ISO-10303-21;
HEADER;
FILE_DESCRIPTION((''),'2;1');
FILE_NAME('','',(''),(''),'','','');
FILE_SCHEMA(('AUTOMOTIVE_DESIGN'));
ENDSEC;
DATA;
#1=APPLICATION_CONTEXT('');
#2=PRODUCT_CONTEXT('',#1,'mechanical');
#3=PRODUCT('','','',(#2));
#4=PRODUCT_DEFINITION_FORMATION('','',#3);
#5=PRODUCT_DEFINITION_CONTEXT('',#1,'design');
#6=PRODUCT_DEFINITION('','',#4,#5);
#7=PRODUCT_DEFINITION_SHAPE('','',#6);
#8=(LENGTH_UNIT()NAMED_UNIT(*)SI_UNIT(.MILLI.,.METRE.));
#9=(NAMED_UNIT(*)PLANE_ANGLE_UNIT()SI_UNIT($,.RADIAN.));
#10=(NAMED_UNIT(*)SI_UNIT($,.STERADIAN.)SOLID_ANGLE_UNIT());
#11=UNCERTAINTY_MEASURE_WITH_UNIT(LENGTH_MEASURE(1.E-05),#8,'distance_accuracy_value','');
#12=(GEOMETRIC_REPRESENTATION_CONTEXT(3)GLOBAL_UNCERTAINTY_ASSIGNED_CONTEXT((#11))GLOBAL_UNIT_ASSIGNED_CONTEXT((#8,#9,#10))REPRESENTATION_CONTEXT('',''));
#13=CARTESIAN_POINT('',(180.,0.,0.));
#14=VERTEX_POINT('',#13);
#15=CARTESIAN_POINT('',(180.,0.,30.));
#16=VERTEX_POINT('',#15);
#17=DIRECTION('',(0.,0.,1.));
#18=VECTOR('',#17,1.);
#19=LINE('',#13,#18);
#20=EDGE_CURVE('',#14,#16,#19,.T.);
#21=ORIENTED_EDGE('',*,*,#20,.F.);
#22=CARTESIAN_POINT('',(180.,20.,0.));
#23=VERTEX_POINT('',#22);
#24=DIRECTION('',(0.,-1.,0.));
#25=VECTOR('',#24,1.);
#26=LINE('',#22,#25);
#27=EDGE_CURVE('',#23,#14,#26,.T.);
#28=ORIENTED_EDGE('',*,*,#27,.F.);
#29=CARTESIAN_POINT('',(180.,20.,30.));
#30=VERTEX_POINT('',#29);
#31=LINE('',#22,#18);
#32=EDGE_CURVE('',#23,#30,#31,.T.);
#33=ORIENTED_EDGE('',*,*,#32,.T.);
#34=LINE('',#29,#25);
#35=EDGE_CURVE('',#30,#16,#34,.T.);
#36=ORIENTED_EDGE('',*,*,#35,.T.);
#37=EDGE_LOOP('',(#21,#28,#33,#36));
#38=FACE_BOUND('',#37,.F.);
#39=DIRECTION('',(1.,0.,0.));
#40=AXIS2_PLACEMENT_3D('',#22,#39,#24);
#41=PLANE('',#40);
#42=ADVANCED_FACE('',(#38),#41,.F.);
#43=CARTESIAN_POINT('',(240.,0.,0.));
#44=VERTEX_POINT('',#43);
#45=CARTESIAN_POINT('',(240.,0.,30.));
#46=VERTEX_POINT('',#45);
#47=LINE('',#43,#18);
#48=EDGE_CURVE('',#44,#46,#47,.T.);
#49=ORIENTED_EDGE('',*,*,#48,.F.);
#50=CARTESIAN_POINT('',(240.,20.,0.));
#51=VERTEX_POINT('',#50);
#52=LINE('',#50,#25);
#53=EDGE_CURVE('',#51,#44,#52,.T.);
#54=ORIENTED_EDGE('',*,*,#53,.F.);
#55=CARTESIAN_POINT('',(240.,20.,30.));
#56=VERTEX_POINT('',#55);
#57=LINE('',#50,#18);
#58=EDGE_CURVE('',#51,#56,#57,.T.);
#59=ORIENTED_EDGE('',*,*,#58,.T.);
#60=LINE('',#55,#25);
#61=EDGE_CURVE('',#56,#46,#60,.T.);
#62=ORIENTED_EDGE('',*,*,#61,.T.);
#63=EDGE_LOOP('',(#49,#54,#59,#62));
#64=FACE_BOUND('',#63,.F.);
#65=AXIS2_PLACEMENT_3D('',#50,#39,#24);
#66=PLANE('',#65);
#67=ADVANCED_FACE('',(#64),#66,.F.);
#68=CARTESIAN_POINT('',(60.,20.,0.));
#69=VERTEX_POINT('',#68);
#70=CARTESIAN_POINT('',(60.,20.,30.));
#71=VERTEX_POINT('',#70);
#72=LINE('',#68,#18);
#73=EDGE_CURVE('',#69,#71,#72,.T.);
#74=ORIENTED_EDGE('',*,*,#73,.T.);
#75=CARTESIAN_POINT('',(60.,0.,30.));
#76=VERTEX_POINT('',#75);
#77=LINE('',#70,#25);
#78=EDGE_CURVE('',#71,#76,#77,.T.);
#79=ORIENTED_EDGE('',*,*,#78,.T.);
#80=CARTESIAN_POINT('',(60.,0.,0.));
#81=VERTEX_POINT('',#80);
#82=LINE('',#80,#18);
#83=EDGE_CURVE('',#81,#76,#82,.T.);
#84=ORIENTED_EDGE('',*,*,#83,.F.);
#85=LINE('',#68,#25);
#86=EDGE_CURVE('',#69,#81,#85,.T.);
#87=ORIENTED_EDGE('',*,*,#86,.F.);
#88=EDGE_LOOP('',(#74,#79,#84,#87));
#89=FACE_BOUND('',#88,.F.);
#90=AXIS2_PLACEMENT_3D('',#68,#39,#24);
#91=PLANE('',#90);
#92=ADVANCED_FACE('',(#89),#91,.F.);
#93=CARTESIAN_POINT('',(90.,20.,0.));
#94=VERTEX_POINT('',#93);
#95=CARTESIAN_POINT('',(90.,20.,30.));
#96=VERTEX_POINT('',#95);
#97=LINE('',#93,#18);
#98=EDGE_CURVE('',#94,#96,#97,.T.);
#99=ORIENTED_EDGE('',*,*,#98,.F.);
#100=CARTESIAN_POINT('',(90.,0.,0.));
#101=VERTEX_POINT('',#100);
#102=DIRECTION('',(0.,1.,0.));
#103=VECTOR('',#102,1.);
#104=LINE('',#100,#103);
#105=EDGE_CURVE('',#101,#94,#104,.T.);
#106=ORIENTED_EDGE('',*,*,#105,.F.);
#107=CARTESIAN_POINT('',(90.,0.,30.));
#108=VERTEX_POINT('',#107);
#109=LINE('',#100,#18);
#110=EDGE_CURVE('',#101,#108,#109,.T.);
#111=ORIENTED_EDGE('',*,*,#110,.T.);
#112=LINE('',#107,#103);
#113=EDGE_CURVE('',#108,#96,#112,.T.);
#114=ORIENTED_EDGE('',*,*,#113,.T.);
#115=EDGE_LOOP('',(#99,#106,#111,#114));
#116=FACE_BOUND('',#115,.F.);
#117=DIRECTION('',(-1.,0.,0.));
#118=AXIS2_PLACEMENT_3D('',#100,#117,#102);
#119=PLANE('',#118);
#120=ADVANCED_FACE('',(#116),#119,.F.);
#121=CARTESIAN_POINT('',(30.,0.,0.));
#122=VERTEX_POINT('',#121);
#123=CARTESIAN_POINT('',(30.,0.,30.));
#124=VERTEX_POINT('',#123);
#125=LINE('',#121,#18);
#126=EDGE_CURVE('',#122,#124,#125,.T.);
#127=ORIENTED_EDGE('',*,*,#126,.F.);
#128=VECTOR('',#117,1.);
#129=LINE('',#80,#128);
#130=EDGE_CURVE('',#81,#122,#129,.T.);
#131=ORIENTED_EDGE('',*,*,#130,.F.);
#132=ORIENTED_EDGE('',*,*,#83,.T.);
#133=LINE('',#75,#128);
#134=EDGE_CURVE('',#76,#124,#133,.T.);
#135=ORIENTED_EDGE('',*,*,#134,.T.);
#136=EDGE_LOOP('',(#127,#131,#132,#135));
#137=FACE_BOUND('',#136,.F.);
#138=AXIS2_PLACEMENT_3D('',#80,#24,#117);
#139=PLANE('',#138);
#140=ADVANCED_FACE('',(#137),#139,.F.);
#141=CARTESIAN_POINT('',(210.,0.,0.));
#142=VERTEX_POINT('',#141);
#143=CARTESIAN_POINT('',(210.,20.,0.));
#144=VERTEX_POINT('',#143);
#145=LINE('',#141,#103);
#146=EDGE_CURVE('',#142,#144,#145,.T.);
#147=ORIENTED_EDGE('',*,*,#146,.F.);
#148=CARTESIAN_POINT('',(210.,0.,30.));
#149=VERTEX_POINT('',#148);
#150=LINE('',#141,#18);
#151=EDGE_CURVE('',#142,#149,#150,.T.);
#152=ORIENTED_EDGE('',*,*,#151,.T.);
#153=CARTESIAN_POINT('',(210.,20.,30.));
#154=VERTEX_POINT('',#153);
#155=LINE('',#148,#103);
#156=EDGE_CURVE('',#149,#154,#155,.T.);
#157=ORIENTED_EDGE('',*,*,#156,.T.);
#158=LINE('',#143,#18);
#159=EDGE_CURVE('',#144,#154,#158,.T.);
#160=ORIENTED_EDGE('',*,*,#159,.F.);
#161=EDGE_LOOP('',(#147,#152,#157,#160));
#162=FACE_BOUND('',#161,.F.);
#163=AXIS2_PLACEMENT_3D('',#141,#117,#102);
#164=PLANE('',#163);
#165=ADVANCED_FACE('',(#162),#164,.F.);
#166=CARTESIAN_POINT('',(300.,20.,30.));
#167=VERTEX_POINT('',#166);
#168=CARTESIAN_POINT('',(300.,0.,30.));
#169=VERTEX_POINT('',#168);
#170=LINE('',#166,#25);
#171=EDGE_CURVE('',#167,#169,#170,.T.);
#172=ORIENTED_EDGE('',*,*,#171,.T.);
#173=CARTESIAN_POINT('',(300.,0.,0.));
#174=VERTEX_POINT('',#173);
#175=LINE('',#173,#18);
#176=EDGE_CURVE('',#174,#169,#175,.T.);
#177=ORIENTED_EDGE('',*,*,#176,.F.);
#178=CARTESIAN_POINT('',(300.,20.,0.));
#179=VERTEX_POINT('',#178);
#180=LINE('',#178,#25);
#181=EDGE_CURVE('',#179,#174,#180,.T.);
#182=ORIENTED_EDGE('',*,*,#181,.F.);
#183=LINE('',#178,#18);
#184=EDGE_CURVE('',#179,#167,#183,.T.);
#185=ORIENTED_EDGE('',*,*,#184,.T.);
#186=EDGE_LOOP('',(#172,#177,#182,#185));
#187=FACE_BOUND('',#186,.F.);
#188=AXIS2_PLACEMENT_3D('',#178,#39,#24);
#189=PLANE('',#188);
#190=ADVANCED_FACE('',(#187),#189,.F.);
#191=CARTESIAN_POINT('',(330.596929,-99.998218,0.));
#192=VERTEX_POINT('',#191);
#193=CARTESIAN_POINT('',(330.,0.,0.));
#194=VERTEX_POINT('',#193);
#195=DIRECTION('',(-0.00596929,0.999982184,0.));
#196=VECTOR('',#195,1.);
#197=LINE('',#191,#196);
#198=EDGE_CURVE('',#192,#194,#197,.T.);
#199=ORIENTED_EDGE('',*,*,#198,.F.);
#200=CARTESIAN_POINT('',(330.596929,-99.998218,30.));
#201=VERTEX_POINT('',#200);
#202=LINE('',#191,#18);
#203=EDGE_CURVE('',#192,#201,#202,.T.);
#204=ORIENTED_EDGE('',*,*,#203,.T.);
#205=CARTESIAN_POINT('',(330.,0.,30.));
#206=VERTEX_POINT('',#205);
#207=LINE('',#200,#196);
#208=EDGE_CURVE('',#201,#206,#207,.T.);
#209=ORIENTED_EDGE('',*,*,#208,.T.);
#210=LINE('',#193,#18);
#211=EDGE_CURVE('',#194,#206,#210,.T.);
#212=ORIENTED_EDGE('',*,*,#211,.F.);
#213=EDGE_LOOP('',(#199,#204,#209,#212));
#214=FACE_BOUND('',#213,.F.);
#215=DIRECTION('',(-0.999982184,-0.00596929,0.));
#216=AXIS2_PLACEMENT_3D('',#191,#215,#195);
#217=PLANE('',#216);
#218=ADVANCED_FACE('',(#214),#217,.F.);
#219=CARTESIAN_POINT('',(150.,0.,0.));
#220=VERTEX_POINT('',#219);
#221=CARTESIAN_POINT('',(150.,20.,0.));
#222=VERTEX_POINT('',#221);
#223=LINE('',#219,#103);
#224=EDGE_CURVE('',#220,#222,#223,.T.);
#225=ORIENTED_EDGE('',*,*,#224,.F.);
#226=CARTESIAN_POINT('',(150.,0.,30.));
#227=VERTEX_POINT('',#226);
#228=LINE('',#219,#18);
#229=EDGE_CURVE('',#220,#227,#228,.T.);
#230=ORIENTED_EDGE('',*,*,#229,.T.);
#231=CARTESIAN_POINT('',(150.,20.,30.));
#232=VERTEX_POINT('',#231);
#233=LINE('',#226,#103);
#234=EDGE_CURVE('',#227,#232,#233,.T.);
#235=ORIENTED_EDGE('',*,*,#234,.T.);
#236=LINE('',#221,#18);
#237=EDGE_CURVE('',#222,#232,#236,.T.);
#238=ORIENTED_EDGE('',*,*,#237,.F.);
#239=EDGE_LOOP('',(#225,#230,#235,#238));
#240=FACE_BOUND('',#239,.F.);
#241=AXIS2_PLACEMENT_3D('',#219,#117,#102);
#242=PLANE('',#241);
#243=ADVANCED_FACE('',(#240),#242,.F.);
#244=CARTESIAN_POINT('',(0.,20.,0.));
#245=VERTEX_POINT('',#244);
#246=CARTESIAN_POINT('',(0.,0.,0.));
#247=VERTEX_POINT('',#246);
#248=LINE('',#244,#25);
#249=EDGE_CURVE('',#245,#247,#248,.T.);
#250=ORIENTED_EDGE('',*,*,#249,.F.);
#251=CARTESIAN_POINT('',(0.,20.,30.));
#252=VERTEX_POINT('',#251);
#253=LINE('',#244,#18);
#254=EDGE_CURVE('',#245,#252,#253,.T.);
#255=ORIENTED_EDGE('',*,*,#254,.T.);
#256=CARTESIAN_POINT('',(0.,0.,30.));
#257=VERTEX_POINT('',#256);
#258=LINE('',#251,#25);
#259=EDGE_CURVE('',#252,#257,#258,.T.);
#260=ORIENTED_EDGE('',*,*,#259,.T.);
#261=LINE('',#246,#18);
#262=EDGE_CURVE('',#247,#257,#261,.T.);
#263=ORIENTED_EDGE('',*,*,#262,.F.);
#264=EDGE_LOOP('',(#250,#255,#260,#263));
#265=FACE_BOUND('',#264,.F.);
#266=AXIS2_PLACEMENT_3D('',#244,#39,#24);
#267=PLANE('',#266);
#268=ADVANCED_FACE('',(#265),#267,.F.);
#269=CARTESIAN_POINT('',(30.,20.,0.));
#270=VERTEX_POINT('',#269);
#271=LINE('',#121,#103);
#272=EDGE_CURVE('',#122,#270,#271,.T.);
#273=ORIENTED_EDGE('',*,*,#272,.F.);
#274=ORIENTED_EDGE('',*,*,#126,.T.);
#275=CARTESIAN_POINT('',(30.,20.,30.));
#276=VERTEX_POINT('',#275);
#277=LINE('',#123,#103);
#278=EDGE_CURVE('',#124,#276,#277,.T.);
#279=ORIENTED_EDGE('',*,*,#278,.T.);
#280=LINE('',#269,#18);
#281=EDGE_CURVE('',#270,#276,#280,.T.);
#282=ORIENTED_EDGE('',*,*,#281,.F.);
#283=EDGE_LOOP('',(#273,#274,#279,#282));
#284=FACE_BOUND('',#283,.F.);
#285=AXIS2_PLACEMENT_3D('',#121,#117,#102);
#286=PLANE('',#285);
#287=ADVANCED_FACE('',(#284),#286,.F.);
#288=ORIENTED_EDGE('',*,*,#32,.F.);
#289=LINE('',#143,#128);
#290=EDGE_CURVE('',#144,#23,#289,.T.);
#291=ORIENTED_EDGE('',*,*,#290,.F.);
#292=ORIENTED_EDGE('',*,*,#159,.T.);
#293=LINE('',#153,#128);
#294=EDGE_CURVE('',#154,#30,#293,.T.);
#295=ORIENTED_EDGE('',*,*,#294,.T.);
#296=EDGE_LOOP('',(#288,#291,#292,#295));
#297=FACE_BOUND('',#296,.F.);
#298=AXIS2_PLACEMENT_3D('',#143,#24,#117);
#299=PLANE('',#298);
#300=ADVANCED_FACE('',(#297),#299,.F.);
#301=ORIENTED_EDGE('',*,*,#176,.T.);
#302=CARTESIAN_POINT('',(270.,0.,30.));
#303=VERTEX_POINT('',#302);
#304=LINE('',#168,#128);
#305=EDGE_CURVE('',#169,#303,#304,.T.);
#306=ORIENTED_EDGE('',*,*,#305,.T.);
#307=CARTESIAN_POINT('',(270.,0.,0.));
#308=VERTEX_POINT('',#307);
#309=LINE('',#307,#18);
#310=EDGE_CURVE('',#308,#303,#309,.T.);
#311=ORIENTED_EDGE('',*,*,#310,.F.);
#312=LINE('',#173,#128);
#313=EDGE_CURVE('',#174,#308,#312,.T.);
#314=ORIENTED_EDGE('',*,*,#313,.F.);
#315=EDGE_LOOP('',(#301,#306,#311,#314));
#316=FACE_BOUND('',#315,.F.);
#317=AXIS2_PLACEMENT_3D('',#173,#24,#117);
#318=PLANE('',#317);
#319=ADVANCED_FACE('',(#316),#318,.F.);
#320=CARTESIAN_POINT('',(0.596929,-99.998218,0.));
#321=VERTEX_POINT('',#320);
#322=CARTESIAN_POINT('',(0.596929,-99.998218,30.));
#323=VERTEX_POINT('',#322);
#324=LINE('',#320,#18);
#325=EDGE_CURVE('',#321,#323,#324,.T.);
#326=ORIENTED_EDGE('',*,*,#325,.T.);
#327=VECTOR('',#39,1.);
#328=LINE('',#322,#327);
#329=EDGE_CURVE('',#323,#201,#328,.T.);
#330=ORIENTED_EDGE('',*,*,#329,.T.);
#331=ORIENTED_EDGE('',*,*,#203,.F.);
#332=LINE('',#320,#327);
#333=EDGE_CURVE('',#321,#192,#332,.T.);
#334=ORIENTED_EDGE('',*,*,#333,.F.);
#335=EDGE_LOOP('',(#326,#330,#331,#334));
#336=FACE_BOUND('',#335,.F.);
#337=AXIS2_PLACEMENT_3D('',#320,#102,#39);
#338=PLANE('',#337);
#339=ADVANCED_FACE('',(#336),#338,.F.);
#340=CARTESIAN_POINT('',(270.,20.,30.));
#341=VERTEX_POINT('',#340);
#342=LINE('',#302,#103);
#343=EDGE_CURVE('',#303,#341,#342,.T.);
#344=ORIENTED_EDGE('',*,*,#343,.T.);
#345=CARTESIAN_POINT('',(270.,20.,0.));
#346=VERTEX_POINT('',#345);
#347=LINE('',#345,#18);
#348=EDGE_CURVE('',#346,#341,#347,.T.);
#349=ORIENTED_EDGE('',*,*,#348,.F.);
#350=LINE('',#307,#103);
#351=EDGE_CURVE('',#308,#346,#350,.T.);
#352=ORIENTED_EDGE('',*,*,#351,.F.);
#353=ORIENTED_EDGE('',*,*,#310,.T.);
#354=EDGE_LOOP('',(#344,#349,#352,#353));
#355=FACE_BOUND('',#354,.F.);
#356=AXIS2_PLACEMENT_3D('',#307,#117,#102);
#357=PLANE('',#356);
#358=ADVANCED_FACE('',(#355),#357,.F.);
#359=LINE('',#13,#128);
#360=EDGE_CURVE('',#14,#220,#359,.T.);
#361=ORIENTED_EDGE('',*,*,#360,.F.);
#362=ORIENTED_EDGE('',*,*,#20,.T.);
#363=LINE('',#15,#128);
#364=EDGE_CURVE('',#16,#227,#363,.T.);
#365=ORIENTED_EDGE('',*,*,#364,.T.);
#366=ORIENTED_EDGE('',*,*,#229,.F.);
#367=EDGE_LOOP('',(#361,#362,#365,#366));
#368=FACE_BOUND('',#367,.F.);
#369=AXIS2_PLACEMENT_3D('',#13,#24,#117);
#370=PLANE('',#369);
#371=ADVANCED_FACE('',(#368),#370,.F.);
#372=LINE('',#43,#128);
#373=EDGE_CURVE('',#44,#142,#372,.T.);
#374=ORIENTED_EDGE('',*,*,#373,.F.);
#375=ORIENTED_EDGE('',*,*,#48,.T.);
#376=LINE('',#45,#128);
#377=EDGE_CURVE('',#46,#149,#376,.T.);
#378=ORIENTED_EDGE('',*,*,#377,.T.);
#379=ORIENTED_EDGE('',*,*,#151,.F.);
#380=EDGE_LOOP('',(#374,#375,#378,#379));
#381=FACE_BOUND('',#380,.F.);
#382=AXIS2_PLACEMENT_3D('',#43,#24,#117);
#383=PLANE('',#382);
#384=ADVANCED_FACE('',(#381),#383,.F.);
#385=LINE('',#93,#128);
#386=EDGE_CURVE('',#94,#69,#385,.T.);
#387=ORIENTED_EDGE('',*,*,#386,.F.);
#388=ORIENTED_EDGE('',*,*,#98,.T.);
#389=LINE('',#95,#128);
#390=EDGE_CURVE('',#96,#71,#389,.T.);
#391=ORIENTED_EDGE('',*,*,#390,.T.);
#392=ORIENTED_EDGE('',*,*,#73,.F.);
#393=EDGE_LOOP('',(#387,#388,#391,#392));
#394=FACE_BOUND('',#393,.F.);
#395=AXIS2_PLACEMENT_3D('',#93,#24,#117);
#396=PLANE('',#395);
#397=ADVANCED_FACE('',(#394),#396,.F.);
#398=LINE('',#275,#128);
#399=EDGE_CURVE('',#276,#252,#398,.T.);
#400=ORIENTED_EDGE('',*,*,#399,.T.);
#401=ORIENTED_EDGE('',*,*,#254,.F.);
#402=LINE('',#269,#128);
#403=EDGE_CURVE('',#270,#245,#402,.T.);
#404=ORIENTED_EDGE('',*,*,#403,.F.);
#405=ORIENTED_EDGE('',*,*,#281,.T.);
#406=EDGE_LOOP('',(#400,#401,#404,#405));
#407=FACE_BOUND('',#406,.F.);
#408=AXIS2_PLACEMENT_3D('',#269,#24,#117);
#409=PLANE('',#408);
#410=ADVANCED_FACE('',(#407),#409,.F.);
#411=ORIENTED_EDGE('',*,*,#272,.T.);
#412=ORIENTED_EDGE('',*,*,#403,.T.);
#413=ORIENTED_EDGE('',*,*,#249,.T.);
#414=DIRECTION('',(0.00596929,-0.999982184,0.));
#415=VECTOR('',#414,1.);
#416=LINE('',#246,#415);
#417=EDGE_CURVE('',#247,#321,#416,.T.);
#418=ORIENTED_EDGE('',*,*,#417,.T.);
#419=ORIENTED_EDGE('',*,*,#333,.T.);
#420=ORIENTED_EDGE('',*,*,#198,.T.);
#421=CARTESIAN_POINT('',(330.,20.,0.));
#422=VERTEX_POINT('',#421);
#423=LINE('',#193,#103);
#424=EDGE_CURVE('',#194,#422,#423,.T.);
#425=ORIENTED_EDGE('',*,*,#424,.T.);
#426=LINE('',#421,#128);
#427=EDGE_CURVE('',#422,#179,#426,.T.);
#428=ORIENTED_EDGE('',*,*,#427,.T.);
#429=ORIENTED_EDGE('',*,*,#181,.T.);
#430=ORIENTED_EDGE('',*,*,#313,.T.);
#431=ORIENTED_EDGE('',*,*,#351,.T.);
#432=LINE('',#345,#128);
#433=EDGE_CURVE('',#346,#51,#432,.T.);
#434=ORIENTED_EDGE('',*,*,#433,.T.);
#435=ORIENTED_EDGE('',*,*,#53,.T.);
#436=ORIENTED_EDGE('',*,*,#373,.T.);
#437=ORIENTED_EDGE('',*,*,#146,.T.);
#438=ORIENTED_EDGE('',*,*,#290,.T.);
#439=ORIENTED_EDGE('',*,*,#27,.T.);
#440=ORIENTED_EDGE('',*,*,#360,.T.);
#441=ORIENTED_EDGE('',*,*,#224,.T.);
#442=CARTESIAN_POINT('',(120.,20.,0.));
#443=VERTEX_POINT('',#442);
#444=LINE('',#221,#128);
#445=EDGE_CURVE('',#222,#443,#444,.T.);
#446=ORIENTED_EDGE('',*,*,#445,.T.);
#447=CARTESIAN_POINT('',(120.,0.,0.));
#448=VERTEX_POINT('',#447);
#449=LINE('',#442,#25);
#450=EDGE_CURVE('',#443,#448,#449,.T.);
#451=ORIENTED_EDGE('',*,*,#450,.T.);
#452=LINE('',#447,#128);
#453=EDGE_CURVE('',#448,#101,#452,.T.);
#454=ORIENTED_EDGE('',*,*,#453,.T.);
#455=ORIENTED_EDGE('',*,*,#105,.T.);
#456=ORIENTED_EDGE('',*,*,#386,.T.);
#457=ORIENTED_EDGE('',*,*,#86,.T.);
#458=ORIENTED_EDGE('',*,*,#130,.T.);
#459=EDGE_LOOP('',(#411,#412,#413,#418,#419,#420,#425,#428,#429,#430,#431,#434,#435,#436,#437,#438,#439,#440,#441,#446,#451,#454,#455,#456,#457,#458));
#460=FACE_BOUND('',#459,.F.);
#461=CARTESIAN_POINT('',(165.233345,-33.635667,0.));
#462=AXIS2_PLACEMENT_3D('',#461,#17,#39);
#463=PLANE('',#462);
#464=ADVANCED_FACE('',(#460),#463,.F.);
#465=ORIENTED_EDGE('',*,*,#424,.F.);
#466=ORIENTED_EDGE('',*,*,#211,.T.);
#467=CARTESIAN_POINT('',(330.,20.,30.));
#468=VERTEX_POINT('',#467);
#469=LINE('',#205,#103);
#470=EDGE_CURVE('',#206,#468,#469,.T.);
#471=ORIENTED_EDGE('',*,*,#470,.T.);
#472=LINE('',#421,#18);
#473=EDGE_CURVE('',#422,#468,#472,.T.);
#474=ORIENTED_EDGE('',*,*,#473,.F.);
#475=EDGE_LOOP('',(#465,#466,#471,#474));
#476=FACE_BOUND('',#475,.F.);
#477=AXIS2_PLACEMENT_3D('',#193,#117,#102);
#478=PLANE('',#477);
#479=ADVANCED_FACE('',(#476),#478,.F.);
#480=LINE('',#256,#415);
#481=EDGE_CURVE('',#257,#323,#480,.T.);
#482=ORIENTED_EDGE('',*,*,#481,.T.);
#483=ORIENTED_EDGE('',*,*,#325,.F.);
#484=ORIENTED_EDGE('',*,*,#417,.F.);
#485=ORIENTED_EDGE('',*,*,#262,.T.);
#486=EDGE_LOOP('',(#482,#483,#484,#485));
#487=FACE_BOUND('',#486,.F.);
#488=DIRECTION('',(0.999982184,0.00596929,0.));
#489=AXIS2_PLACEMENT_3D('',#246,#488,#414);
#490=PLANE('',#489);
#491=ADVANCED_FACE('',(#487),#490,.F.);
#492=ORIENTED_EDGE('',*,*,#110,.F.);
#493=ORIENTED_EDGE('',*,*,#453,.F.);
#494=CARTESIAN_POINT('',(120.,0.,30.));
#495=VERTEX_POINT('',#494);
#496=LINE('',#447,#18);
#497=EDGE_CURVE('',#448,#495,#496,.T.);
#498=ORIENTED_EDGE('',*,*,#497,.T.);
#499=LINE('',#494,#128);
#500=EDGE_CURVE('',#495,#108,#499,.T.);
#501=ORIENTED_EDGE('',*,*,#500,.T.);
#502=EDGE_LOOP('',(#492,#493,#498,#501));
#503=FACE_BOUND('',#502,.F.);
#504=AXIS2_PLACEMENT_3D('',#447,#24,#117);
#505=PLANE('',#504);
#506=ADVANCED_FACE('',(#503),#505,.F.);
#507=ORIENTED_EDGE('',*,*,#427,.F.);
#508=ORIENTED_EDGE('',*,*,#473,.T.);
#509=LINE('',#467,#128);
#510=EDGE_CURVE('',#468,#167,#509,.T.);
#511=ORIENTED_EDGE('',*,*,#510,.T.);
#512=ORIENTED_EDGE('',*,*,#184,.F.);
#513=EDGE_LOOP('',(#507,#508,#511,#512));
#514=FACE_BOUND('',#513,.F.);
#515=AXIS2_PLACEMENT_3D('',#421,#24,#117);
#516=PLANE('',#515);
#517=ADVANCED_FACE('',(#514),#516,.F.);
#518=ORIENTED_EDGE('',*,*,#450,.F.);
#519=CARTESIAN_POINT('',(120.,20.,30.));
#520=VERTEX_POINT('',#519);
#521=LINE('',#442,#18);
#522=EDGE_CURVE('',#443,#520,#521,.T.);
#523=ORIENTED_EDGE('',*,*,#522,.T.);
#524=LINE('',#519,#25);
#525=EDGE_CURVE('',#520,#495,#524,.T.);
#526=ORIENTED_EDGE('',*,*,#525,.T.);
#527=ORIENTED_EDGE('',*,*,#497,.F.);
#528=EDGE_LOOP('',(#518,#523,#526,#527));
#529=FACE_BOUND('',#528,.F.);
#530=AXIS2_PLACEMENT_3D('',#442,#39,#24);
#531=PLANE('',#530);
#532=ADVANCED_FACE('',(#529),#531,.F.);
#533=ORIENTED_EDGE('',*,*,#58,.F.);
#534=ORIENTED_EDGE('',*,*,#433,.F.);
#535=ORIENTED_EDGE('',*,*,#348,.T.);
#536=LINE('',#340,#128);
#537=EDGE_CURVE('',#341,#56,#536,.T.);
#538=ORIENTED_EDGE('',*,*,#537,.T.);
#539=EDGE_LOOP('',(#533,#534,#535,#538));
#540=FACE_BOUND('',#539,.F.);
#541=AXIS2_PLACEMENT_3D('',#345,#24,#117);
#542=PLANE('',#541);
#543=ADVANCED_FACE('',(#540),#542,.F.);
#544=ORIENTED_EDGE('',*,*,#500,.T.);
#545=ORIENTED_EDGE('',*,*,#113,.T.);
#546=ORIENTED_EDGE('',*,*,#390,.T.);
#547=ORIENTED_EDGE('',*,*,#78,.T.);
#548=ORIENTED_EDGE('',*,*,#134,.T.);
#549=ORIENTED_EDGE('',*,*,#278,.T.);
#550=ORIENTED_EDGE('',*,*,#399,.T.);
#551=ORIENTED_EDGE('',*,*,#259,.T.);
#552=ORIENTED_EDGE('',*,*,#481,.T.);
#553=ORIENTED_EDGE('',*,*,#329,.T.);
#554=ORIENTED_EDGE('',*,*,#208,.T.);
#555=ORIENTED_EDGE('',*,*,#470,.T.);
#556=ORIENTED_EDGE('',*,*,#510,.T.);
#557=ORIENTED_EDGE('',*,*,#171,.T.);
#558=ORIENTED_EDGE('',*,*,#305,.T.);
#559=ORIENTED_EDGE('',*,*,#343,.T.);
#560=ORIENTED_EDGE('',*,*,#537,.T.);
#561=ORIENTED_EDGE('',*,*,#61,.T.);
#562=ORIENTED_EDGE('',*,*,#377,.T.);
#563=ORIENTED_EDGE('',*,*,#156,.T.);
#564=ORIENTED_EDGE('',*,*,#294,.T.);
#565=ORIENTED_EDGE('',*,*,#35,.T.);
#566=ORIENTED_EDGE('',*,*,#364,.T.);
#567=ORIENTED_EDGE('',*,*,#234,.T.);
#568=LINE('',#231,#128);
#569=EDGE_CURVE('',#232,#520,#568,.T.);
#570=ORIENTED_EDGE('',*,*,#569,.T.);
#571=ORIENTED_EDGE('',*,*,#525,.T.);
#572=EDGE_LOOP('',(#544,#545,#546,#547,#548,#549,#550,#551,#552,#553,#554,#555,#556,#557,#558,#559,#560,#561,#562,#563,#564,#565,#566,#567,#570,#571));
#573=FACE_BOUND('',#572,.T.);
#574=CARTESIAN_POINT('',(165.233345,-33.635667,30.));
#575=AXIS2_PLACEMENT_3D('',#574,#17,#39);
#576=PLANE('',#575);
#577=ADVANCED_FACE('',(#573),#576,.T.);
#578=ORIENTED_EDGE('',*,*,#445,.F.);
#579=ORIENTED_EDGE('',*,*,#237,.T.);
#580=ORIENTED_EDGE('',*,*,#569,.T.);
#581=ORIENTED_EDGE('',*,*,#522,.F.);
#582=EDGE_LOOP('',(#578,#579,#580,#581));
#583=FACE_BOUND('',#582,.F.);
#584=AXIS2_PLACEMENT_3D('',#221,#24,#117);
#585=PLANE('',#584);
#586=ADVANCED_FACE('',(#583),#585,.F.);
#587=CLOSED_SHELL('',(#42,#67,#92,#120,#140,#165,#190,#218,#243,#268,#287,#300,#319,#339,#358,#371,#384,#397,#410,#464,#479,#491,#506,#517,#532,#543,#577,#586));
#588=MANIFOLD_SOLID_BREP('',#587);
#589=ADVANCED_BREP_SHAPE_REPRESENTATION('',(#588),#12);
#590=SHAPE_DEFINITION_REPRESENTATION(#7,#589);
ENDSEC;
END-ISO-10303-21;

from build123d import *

# Parameters (mm, degrees)
F1_DEPTH = 30


with BuildPart() as f1:
    # F0 (on Top) → F1 (new body)
    with BuildSketch(Plane.XY):
        Polygon((0, 20), (0, 0), (0.596929, -99.998218), (330.596929, -99.998218), (330, 0), (330, 20), (300, 20), (300, 0), (270, 0), (270, 20), (240, 20), (240, 0), (222.480072, 0), (210, 0), (210, 20), (180, 20), (180, 0), (150, 0), (150, 20), (120, 20), (120, 0), (90, 0), (90, 20), (60, 20), (60, 0), (30, 0), (30, 20), align=None)
    extrude(amount=F1_DEPTH)


solid = f1.part
